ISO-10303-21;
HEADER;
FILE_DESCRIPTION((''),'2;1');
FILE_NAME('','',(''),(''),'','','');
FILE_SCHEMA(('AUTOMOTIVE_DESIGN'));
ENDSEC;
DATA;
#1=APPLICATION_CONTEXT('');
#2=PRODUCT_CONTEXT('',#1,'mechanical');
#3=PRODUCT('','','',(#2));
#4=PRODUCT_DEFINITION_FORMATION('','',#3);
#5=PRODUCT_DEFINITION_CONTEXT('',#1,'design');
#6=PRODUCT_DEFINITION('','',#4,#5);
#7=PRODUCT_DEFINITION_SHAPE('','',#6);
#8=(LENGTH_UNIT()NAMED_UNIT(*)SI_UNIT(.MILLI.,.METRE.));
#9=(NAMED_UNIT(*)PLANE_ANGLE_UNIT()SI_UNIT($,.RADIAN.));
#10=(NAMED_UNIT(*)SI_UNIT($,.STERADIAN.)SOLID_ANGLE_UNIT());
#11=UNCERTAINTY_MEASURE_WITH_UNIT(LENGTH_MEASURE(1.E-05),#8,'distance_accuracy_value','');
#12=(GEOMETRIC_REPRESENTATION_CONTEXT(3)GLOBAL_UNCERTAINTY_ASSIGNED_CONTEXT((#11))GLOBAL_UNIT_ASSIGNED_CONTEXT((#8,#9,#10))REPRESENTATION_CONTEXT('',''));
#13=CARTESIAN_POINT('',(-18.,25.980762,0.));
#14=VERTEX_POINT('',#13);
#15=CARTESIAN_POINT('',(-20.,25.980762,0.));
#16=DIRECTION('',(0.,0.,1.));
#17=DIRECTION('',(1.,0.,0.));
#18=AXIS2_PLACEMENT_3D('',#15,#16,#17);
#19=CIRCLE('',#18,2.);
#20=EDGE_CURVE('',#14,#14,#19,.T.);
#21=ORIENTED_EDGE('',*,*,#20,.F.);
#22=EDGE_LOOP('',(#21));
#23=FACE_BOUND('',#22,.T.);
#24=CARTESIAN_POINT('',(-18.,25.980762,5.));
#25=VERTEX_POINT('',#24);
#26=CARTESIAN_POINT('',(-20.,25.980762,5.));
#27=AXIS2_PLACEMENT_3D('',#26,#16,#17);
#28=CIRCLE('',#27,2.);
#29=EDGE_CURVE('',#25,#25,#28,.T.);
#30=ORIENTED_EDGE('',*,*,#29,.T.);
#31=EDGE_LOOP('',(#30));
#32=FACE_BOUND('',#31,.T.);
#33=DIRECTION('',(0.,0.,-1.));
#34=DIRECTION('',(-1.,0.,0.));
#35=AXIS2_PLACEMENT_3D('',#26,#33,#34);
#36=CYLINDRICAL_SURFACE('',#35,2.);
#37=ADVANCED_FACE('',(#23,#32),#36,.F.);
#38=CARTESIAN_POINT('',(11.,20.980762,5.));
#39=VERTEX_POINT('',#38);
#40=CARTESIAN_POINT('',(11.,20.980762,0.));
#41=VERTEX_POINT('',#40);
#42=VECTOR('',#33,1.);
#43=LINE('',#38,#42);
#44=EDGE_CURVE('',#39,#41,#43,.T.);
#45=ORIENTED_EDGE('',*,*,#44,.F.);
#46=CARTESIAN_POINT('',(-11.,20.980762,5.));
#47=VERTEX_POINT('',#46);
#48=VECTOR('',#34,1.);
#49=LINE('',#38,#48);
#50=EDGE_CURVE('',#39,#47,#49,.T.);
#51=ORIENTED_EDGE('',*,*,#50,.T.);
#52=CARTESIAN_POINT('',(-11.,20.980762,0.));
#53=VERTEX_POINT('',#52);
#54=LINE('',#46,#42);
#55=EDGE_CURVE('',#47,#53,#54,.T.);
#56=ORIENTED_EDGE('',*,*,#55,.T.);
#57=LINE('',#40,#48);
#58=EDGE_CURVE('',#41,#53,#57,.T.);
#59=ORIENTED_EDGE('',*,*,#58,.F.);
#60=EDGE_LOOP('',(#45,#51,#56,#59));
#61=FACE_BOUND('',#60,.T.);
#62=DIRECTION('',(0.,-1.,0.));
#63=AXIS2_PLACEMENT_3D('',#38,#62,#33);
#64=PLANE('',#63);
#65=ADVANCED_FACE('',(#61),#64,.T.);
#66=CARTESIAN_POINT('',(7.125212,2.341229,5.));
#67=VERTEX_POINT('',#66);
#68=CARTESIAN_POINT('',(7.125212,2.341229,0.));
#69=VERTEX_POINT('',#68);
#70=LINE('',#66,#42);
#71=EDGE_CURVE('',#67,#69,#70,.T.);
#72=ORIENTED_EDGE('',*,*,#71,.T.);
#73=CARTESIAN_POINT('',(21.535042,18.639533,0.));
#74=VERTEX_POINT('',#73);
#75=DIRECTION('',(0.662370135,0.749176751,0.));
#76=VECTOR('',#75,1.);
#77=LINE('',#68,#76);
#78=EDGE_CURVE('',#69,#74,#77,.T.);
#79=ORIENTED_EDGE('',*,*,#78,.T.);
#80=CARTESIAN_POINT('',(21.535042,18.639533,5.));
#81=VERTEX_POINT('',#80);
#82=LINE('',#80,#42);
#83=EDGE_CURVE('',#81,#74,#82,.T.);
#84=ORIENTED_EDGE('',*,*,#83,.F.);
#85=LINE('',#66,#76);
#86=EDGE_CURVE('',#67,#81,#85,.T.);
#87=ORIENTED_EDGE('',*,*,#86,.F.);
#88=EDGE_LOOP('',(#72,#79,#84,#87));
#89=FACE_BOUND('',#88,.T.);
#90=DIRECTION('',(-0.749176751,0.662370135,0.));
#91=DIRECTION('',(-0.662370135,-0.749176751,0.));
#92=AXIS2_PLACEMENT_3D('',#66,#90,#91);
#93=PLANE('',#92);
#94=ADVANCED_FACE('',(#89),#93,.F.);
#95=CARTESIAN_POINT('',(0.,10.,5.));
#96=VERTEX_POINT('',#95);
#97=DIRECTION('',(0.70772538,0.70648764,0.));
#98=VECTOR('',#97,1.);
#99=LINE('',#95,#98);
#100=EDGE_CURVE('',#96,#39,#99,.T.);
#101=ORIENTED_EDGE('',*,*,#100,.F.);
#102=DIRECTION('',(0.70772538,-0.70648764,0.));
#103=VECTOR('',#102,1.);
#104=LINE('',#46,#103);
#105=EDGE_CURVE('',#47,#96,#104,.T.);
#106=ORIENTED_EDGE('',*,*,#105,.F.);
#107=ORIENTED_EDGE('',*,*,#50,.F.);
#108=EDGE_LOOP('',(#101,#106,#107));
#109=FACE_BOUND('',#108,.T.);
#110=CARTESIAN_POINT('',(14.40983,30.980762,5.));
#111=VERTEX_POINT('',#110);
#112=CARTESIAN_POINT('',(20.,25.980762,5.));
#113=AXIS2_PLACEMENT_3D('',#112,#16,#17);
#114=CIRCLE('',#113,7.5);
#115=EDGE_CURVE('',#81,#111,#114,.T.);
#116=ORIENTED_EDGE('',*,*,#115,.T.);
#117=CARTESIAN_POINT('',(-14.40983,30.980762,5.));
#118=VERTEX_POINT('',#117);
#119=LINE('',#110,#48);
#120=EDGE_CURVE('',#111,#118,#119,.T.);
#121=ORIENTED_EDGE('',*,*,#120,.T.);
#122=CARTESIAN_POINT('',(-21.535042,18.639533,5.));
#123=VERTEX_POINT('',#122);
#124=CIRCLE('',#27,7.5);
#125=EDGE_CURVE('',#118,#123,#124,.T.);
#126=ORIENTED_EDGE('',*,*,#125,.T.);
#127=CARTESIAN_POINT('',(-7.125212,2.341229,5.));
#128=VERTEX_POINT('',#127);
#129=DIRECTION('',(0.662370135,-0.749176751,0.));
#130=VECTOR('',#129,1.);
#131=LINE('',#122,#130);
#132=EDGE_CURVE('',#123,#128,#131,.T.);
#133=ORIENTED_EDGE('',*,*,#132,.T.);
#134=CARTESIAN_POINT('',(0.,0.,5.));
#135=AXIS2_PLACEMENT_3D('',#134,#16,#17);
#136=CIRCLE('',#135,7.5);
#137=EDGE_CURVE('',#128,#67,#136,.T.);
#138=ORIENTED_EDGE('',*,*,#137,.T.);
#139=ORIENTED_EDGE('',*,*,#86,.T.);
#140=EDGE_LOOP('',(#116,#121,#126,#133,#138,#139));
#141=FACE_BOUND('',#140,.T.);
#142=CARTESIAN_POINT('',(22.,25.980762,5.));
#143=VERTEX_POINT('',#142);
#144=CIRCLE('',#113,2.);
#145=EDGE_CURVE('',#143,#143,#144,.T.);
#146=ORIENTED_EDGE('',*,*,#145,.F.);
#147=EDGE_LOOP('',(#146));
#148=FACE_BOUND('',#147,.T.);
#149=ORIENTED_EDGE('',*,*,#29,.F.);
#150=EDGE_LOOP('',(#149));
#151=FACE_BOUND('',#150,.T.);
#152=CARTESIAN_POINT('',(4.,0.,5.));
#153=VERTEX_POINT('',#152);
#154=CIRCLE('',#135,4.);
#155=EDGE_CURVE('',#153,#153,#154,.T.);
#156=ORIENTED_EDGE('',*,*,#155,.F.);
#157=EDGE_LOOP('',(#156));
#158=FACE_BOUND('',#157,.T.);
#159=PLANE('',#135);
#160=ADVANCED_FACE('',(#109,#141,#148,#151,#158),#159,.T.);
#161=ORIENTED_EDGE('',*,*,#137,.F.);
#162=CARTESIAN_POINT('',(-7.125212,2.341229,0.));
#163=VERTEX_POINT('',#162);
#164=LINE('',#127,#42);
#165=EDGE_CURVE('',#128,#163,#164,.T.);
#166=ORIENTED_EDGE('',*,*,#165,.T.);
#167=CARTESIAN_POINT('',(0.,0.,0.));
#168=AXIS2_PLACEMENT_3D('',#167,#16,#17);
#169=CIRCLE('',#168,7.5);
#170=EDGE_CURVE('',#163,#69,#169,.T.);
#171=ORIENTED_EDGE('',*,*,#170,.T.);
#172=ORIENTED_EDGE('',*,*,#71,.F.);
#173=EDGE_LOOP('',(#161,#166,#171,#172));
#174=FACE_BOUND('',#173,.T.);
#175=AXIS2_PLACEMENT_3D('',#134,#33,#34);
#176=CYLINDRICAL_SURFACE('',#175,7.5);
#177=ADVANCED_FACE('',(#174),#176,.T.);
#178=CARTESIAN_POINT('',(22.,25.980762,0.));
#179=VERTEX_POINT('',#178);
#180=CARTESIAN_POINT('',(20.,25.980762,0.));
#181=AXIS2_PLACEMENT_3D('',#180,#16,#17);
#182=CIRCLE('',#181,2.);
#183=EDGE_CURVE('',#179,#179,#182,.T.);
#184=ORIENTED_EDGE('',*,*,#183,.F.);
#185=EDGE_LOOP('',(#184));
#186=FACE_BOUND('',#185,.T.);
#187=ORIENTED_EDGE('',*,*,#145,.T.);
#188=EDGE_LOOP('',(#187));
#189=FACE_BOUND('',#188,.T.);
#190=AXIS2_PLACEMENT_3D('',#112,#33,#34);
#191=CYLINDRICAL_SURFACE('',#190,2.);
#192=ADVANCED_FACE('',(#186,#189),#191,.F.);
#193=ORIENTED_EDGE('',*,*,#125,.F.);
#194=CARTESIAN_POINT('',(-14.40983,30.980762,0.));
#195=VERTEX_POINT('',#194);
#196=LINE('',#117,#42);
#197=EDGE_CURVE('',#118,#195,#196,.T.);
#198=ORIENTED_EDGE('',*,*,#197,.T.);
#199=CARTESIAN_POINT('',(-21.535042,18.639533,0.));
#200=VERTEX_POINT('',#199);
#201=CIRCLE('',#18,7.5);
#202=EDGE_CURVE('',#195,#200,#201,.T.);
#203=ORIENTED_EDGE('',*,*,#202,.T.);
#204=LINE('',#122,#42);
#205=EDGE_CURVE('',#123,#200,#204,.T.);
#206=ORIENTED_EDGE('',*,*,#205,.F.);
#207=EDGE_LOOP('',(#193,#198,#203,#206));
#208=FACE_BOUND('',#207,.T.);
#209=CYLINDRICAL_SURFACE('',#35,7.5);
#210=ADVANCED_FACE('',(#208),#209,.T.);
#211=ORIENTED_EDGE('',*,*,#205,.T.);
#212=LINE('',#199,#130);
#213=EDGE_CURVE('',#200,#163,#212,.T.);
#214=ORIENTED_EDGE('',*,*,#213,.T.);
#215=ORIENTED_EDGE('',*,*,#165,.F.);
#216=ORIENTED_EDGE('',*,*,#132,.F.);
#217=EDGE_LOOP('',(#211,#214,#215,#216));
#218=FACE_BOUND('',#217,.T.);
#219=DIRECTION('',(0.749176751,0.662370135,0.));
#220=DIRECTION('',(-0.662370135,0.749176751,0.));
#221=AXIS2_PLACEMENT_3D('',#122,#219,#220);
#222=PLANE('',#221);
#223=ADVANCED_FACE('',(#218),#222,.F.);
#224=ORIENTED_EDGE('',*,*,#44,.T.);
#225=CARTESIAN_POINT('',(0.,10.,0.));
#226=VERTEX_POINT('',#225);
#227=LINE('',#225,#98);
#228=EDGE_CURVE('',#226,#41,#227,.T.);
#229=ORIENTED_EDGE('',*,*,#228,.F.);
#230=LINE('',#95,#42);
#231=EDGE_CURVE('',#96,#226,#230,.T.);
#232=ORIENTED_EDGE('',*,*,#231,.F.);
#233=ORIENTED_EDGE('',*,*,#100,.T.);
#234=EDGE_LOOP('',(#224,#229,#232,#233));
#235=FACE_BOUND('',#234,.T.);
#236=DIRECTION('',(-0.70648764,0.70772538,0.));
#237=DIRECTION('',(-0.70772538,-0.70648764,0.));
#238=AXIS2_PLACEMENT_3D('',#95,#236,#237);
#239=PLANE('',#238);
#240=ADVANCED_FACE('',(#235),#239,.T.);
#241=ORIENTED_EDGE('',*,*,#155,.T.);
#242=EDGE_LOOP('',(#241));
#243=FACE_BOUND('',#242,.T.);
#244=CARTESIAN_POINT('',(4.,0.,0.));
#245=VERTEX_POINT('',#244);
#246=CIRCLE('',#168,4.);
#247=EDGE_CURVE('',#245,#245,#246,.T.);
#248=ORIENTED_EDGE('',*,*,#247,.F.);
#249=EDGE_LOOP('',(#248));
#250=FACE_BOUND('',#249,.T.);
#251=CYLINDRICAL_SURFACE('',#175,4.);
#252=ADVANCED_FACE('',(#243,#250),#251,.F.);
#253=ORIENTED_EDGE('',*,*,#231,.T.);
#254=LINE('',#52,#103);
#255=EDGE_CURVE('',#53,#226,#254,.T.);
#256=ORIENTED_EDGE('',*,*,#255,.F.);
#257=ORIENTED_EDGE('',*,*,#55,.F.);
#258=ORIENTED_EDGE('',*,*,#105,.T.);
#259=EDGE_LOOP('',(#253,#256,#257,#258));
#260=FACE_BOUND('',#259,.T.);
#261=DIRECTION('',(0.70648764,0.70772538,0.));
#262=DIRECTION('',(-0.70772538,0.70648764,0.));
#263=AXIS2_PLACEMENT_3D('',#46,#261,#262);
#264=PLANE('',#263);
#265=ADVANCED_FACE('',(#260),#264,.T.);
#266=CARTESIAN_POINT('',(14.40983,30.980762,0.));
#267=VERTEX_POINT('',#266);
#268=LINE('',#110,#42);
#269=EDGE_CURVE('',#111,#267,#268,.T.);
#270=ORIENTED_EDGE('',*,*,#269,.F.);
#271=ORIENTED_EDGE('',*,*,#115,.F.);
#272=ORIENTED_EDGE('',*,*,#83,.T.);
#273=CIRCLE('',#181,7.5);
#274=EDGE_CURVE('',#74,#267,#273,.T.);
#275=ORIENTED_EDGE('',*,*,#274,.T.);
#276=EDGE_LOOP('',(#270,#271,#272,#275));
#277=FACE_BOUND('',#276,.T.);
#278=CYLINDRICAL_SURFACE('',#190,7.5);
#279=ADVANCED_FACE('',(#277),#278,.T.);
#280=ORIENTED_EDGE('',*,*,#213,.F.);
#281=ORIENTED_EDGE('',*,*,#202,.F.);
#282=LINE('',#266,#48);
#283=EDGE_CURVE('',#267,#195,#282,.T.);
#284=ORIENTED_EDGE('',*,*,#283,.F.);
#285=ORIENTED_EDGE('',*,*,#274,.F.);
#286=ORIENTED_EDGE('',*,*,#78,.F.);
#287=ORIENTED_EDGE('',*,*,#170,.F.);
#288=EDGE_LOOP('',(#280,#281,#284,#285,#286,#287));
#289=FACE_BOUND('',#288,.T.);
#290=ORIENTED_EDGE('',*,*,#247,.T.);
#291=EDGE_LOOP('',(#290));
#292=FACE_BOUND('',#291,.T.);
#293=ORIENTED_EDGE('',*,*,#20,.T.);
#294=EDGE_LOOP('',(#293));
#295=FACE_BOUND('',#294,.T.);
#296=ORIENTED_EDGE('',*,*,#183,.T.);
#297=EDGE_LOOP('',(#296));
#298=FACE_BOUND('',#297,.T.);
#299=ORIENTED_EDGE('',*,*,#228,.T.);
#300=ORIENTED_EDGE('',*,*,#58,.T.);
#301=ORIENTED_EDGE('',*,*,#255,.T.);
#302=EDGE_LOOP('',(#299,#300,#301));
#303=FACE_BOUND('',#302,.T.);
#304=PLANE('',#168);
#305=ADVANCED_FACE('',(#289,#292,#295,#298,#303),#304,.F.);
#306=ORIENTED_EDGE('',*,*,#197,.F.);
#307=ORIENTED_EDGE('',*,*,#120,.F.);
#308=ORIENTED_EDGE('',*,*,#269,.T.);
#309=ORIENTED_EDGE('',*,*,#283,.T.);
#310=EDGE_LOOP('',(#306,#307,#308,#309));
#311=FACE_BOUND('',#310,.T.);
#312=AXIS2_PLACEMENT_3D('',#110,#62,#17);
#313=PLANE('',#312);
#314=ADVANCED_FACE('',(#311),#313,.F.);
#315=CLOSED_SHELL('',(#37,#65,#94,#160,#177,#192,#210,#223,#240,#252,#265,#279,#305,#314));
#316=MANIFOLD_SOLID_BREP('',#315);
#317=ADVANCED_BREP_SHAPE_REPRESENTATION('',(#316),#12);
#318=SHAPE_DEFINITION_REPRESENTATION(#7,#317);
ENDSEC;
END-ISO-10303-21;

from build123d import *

# Parameters (mm, degrees)
SCHIZZO1_R                   = 4
SCHIZZO1_R_2                 = 2
ESTRUSIONE_ESTRUSIONE1_DEPTH = 5


with BuildPart() as part:
    # Schizzo1 → Estrusione-Estrusione1 (new body)
    with BuildSketch(Plane.XY):
        with BuildLine():
            Line((14.409830056, 30.980762114), (-14.409830056, 30.980762114))
            ThreePointArc((-14.409830056, 30.980762114), (-26.495190528, 29.730762114), (-21.535042047, 18.639532931))
            Line((-21.535042047, 18.639532931), (-7.125211991, 2.341229183))
            ThreePointArc((-7.125211991, 2.341229183), (0, -7.5), (7.125211991, 2.341229183))
            Line((7.125211991, 2.341229183), (21.535042047, 18.639532931))
            ThreePointArc((21.535042047, 18.639532931), (26.495190528, 29.730762114), (14.409830056, 30.980762114))
        make_face()
        Circle(SCHIZZO1_R, mode=Mode.SUBTRACT)
        with Locations((20, 25.980762114)):
            Circle(SCHIZZO1_R_2, mode=Mode.SUBTRACT)
        with Locations((-20, 25.980762114)):
            Circle(SCHIZZO1_R_2, mode=Mode.SUBTRACT)
        Polygon((11, 20.980762114), (-11, 20.980762114), (0, 10), align=None, mode=Mode.SUBTRACT)
    extrude(amount=ESTRUSIONE_ESTRUSIONE1_DEPTH)


solid = part.part
